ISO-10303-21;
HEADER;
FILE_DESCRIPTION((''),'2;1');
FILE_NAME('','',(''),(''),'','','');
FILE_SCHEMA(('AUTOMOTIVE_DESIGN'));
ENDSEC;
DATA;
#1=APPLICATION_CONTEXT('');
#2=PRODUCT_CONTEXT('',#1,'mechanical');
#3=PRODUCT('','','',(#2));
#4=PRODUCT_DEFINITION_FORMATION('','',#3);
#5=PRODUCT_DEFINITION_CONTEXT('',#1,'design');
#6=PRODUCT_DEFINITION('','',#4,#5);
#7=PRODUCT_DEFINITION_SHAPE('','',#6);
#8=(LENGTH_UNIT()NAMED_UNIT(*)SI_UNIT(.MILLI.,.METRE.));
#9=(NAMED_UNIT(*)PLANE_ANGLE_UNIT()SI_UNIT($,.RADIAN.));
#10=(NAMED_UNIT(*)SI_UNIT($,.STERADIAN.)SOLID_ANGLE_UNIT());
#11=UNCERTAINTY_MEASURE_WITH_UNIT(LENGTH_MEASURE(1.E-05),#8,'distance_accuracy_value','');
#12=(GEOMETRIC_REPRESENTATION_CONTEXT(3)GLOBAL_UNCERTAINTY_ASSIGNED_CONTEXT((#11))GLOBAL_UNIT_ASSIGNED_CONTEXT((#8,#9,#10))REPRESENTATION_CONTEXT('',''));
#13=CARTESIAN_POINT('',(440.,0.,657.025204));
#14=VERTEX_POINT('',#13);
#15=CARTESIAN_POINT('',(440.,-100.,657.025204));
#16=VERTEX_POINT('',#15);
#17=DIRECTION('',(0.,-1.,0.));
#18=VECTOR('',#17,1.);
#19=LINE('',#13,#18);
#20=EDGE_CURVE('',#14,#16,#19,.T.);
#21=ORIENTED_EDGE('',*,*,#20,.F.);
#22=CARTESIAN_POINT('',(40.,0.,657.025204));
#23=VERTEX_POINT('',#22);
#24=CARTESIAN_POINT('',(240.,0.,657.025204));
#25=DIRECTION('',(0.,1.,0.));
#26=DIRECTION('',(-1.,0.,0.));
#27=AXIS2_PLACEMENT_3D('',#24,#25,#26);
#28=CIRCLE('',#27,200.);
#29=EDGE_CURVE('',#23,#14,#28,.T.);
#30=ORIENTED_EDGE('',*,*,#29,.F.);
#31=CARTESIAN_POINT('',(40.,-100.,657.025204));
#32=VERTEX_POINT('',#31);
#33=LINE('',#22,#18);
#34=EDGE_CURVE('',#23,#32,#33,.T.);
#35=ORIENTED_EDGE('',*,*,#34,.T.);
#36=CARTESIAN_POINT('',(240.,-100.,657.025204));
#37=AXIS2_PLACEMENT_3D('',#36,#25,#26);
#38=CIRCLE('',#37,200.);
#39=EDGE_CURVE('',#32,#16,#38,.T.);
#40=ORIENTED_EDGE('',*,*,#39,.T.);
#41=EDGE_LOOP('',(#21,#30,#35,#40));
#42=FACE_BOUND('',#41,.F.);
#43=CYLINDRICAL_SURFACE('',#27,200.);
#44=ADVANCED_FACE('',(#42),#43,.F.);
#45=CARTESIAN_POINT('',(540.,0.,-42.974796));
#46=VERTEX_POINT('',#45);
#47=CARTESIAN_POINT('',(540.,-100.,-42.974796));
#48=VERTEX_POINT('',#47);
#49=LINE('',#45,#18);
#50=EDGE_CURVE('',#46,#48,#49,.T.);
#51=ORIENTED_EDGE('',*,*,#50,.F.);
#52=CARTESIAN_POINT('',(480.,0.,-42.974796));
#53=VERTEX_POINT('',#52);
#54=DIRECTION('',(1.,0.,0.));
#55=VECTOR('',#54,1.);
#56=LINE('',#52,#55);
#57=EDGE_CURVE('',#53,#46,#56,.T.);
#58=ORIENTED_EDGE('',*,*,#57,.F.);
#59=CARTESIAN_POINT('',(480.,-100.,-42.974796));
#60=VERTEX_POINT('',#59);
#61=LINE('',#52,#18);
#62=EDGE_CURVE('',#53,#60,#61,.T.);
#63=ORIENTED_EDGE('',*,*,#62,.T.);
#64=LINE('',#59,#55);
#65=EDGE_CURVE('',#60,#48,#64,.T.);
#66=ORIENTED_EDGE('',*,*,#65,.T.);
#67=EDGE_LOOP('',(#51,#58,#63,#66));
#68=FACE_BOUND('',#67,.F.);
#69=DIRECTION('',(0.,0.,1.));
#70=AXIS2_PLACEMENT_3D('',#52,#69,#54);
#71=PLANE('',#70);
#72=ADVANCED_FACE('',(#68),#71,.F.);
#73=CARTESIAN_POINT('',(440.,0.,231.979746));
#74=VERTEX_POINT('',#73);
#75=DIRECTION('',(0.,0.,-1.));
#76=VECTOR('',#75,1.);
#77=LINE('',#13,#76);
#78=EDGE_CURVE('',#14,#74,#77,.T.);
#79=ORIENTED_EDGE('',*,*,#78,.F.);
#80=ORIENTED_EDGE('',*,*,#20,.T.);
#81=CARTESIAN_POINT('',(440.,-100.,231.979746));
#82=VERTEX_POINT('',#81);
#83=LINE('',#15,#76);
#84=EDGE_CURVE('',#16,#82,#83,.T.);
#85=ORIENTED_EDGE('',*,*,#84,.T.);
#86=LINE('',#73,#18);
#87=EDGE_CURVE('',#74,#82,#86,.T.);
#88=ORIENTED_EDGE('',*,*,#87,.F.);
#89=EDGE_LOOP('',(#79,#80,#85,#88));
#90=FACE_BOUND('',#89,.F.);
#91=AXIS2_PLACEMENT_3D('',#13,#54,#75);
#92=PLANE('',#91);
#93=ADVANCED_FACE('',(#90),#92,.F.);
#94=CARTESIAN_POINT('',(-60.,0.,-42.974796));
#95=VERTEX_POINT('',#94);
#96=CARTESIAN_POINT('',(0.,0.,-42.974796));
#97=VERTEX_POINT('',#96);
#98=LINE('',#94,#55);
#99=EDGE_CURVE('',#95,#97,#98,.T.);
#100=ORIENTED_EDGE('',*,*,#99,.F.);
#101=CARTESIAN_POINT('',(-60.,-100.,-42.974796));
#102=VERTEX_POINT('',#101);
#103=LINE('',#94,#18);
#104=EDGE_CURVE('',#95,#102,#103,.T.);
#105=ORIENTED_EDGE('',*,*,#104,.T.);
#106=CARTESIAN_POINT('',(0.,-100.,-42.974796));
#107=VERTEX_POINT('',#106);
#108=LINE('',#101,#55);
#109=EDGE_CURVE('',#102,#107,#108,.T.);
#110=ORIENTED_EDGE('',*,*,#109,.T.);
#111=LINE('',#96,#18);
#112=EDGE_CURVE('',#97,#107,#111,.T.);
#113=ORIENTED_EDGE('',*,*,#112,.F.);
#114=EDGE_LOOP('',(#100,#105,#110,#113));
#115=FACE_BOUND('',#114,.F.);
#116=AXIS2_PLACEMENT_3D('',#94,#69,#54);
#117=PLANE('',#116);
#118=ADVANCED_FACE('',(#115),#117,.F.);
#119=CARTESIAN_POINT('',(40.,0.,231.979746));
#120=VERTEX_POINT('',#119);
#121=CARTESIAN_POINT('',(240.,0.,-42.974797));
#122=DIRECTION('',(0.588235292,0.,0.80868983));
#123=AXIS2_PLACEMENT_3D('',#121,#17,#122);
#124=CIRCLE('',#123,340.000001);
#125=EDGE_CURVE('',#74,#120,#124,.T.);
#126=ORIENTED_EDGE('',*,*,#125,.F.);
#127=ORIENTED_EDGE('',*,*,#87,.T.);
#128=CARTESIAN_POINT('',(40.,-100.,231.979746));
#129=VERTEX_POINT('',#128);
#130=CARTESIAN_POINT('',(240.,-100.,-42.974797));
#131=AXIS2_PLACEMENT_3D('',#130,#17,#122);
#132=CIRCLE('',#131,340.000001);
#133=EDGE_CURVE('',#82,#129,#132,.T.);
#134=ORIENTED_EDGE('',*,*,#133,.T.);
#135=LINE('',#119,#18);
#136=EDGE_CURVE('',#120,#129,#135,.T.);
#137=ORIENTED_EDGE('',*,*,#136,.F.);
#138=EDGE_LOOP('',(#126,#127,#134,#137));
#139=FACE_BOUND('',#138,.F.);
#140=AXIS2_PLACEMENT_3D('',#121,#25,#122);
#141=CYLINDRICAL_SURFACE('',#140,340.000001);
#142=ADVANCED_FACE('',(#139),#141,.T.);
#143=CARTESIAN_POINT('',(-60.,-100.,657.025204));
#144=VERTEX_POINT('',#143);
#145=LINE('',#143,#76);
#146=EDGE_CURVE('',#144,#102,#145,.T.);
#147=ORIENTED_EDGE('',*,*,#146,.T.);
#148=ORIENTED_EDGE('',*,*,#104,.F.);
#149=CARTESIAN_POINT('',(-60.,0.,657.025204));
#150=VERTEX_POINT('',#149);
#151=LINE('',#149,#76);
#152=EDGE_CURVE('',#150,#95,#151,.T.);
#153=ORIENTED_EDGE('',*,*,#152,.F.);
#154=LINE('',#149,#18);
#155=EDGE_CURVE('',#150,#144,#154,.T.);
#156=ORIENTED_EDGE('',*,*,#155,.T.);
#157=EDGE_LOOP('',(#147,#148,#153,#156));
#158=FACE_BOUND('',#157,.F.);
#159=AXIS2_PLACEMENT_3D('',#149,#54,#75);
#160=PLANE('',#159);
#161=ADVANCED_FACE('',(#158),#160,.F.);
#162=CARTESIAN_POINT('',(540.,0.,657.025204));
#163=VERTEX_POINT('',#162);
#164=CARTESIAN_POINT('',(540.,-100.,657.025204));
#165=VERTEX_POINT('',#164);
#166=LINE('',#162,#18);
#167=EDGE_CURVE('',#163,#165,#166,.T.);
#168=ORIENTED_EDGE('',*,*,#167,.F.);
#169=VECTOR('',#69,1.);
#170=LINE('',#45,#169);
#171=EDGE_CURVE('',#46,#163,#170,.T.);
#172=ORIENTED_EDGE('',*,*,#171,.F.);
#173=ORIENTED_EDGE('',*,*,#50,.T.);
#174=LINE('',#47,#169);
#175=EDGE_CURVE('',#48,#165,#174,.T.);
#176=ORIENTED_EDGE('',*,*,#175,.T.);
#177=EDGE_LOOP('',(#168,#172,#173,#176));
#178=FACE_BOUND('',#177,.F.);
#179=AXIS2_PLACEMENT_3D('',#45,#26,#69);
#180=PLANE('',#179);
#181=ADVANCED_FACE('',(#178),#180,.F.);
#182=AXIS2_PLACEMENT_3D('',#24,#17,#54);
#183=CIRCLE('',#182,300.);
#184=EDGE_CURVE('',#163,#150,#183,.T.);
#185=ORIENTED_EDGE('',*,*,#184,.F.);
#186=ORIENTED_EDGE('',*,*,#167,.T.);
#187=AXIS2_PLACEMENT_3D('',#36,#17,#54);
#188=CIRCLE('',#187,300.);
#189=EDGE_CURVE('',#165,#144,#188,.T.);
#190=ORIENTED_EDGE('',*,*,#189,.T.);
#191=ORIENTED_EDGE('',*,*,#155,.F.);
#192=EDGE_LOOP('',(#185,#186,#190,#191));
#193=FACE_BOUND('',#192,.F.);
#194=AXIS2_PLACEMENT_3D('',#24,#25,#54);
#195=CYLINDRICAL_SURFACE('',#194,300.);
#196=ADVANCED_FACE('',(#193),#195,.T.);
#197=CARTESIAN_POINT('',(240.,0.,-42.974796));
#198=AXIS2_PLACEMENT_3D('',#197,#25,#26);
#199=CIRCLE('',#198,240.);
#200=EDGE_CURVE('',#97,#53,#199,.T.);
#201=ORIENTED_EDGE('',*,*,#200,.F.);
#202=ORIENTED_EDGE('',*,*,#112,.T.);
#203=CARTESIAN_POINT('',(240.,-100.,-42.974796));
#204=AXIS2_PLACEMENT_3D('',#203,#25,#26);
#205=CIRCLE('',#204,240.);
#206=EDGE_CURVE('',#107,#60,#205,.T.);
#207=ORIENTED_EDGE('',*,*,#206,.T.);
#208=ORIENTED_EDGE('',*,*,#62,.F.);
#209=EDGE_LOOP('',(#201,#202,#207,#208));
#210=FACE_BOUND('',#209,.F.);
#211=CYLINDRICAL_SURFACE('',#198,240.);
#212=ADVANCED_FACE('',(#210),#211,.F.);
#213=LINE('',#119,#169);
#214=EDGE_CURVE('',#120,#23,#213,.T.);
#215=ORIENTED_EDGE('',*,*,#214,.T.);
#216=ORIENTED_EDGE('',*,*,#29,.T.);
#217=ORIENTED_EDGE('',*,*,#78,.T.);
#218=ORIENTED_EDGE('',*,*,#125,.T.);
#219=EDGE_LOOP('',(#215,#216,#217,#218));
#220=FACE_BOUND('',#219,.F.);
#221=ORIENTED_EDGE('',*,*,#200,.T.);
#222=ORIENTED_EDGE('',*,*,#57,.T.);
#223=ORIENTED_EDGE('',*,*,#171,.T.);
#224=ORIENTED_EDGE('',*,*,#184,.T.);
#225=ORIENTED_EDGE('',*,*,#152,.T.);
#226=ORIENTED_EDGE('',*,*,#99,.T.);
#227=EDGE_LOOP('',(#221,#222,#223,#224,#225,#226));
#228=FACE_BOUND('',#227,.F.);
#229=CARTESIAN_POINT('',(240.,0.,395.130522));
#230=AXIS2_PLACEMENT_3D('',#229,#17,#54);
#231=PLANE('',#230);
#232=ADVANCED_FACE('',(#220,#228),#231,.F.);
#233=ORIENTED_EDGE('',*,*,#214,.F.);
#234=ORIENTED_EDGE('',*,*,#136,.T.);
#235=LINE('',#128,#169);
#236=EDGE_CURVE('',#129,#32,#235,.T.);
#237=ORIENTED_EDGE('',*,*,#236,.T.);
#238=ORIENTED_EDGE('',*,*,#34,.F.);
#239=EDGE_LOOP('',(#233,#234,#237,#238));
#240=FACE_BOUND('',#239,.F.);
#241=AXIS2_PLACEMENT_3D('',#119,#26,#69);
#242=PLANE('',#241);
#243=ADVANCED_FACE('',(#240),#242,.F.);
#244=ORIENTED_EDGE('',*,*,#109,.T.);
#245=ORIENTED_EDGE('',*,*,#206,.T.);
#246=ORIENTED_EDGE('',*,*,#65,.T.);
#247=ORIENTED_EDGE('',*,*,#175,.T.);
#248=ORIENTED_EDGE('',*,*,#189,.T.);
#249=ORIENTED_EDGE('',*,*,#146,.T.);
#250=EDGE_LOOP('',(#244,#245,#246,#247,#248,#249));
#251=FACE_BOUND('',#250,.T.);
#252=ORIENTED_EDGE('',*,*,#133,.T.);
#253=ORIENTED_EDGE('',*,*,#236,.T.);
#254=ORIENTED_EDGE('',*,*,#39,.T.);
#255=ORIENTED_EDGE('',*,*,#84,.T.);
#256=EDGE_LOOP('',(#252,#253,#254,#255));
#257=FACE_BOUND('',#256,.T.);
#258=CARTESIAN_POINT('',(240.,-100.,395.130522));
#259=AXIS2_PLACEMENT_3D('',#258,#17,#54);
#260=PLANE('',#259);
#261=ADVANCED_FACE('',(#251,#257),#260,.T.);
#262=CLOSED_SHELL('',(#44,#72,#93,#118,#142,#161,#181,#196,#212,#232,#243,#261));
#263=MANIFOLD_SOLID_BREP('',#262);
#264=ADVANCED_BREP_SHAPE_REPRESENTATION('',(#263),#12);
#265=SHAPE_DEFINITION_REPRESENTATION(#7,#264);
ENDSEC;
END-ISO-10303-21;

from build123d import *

# Parameters (mm, degrees)
F1_DEPTH = 100


with BuildPart() as f1:
    # F0 (on Front) → F1 (new body)
    with BuildSketch(Plane.XZ):
        with BuildLine():
            Line((-60, 117.025204), (-60, -42.974796))
            Line((-60, -42.974796), (0, -42.974796))
            ThreePointArc((0, -42.974796), (240, 197.025204), (480, -42.974796))
            Line((480, -42.974796), (540, -42.974796))
            Line((540, -42.974796), (540, 117.025204))
            Line((540, 117.025204), (540, 657.025204))
            ThreePointArc((540, 657.025204), (240, 957.025204), (-60, 657.025204))
            Line((-60, 657.025204), (-60, 117.025204))
        make_face()
        with BuildLine():
            Line((440, 657.025204), (440, 231.979746))
            ThreePointArc((440, 231.979746), (240, 297.025204), (40, 231.979746))
            Line((40, 231.979746), (40, 657.025204))
            ThreePointArc((40, 657.025204), (240, 857.025204), (440, 657.025204))
        make_face(mode=Mode.SUBTRACT)
    extrude(amount=F1_DEPTH)


solid = f1.part
